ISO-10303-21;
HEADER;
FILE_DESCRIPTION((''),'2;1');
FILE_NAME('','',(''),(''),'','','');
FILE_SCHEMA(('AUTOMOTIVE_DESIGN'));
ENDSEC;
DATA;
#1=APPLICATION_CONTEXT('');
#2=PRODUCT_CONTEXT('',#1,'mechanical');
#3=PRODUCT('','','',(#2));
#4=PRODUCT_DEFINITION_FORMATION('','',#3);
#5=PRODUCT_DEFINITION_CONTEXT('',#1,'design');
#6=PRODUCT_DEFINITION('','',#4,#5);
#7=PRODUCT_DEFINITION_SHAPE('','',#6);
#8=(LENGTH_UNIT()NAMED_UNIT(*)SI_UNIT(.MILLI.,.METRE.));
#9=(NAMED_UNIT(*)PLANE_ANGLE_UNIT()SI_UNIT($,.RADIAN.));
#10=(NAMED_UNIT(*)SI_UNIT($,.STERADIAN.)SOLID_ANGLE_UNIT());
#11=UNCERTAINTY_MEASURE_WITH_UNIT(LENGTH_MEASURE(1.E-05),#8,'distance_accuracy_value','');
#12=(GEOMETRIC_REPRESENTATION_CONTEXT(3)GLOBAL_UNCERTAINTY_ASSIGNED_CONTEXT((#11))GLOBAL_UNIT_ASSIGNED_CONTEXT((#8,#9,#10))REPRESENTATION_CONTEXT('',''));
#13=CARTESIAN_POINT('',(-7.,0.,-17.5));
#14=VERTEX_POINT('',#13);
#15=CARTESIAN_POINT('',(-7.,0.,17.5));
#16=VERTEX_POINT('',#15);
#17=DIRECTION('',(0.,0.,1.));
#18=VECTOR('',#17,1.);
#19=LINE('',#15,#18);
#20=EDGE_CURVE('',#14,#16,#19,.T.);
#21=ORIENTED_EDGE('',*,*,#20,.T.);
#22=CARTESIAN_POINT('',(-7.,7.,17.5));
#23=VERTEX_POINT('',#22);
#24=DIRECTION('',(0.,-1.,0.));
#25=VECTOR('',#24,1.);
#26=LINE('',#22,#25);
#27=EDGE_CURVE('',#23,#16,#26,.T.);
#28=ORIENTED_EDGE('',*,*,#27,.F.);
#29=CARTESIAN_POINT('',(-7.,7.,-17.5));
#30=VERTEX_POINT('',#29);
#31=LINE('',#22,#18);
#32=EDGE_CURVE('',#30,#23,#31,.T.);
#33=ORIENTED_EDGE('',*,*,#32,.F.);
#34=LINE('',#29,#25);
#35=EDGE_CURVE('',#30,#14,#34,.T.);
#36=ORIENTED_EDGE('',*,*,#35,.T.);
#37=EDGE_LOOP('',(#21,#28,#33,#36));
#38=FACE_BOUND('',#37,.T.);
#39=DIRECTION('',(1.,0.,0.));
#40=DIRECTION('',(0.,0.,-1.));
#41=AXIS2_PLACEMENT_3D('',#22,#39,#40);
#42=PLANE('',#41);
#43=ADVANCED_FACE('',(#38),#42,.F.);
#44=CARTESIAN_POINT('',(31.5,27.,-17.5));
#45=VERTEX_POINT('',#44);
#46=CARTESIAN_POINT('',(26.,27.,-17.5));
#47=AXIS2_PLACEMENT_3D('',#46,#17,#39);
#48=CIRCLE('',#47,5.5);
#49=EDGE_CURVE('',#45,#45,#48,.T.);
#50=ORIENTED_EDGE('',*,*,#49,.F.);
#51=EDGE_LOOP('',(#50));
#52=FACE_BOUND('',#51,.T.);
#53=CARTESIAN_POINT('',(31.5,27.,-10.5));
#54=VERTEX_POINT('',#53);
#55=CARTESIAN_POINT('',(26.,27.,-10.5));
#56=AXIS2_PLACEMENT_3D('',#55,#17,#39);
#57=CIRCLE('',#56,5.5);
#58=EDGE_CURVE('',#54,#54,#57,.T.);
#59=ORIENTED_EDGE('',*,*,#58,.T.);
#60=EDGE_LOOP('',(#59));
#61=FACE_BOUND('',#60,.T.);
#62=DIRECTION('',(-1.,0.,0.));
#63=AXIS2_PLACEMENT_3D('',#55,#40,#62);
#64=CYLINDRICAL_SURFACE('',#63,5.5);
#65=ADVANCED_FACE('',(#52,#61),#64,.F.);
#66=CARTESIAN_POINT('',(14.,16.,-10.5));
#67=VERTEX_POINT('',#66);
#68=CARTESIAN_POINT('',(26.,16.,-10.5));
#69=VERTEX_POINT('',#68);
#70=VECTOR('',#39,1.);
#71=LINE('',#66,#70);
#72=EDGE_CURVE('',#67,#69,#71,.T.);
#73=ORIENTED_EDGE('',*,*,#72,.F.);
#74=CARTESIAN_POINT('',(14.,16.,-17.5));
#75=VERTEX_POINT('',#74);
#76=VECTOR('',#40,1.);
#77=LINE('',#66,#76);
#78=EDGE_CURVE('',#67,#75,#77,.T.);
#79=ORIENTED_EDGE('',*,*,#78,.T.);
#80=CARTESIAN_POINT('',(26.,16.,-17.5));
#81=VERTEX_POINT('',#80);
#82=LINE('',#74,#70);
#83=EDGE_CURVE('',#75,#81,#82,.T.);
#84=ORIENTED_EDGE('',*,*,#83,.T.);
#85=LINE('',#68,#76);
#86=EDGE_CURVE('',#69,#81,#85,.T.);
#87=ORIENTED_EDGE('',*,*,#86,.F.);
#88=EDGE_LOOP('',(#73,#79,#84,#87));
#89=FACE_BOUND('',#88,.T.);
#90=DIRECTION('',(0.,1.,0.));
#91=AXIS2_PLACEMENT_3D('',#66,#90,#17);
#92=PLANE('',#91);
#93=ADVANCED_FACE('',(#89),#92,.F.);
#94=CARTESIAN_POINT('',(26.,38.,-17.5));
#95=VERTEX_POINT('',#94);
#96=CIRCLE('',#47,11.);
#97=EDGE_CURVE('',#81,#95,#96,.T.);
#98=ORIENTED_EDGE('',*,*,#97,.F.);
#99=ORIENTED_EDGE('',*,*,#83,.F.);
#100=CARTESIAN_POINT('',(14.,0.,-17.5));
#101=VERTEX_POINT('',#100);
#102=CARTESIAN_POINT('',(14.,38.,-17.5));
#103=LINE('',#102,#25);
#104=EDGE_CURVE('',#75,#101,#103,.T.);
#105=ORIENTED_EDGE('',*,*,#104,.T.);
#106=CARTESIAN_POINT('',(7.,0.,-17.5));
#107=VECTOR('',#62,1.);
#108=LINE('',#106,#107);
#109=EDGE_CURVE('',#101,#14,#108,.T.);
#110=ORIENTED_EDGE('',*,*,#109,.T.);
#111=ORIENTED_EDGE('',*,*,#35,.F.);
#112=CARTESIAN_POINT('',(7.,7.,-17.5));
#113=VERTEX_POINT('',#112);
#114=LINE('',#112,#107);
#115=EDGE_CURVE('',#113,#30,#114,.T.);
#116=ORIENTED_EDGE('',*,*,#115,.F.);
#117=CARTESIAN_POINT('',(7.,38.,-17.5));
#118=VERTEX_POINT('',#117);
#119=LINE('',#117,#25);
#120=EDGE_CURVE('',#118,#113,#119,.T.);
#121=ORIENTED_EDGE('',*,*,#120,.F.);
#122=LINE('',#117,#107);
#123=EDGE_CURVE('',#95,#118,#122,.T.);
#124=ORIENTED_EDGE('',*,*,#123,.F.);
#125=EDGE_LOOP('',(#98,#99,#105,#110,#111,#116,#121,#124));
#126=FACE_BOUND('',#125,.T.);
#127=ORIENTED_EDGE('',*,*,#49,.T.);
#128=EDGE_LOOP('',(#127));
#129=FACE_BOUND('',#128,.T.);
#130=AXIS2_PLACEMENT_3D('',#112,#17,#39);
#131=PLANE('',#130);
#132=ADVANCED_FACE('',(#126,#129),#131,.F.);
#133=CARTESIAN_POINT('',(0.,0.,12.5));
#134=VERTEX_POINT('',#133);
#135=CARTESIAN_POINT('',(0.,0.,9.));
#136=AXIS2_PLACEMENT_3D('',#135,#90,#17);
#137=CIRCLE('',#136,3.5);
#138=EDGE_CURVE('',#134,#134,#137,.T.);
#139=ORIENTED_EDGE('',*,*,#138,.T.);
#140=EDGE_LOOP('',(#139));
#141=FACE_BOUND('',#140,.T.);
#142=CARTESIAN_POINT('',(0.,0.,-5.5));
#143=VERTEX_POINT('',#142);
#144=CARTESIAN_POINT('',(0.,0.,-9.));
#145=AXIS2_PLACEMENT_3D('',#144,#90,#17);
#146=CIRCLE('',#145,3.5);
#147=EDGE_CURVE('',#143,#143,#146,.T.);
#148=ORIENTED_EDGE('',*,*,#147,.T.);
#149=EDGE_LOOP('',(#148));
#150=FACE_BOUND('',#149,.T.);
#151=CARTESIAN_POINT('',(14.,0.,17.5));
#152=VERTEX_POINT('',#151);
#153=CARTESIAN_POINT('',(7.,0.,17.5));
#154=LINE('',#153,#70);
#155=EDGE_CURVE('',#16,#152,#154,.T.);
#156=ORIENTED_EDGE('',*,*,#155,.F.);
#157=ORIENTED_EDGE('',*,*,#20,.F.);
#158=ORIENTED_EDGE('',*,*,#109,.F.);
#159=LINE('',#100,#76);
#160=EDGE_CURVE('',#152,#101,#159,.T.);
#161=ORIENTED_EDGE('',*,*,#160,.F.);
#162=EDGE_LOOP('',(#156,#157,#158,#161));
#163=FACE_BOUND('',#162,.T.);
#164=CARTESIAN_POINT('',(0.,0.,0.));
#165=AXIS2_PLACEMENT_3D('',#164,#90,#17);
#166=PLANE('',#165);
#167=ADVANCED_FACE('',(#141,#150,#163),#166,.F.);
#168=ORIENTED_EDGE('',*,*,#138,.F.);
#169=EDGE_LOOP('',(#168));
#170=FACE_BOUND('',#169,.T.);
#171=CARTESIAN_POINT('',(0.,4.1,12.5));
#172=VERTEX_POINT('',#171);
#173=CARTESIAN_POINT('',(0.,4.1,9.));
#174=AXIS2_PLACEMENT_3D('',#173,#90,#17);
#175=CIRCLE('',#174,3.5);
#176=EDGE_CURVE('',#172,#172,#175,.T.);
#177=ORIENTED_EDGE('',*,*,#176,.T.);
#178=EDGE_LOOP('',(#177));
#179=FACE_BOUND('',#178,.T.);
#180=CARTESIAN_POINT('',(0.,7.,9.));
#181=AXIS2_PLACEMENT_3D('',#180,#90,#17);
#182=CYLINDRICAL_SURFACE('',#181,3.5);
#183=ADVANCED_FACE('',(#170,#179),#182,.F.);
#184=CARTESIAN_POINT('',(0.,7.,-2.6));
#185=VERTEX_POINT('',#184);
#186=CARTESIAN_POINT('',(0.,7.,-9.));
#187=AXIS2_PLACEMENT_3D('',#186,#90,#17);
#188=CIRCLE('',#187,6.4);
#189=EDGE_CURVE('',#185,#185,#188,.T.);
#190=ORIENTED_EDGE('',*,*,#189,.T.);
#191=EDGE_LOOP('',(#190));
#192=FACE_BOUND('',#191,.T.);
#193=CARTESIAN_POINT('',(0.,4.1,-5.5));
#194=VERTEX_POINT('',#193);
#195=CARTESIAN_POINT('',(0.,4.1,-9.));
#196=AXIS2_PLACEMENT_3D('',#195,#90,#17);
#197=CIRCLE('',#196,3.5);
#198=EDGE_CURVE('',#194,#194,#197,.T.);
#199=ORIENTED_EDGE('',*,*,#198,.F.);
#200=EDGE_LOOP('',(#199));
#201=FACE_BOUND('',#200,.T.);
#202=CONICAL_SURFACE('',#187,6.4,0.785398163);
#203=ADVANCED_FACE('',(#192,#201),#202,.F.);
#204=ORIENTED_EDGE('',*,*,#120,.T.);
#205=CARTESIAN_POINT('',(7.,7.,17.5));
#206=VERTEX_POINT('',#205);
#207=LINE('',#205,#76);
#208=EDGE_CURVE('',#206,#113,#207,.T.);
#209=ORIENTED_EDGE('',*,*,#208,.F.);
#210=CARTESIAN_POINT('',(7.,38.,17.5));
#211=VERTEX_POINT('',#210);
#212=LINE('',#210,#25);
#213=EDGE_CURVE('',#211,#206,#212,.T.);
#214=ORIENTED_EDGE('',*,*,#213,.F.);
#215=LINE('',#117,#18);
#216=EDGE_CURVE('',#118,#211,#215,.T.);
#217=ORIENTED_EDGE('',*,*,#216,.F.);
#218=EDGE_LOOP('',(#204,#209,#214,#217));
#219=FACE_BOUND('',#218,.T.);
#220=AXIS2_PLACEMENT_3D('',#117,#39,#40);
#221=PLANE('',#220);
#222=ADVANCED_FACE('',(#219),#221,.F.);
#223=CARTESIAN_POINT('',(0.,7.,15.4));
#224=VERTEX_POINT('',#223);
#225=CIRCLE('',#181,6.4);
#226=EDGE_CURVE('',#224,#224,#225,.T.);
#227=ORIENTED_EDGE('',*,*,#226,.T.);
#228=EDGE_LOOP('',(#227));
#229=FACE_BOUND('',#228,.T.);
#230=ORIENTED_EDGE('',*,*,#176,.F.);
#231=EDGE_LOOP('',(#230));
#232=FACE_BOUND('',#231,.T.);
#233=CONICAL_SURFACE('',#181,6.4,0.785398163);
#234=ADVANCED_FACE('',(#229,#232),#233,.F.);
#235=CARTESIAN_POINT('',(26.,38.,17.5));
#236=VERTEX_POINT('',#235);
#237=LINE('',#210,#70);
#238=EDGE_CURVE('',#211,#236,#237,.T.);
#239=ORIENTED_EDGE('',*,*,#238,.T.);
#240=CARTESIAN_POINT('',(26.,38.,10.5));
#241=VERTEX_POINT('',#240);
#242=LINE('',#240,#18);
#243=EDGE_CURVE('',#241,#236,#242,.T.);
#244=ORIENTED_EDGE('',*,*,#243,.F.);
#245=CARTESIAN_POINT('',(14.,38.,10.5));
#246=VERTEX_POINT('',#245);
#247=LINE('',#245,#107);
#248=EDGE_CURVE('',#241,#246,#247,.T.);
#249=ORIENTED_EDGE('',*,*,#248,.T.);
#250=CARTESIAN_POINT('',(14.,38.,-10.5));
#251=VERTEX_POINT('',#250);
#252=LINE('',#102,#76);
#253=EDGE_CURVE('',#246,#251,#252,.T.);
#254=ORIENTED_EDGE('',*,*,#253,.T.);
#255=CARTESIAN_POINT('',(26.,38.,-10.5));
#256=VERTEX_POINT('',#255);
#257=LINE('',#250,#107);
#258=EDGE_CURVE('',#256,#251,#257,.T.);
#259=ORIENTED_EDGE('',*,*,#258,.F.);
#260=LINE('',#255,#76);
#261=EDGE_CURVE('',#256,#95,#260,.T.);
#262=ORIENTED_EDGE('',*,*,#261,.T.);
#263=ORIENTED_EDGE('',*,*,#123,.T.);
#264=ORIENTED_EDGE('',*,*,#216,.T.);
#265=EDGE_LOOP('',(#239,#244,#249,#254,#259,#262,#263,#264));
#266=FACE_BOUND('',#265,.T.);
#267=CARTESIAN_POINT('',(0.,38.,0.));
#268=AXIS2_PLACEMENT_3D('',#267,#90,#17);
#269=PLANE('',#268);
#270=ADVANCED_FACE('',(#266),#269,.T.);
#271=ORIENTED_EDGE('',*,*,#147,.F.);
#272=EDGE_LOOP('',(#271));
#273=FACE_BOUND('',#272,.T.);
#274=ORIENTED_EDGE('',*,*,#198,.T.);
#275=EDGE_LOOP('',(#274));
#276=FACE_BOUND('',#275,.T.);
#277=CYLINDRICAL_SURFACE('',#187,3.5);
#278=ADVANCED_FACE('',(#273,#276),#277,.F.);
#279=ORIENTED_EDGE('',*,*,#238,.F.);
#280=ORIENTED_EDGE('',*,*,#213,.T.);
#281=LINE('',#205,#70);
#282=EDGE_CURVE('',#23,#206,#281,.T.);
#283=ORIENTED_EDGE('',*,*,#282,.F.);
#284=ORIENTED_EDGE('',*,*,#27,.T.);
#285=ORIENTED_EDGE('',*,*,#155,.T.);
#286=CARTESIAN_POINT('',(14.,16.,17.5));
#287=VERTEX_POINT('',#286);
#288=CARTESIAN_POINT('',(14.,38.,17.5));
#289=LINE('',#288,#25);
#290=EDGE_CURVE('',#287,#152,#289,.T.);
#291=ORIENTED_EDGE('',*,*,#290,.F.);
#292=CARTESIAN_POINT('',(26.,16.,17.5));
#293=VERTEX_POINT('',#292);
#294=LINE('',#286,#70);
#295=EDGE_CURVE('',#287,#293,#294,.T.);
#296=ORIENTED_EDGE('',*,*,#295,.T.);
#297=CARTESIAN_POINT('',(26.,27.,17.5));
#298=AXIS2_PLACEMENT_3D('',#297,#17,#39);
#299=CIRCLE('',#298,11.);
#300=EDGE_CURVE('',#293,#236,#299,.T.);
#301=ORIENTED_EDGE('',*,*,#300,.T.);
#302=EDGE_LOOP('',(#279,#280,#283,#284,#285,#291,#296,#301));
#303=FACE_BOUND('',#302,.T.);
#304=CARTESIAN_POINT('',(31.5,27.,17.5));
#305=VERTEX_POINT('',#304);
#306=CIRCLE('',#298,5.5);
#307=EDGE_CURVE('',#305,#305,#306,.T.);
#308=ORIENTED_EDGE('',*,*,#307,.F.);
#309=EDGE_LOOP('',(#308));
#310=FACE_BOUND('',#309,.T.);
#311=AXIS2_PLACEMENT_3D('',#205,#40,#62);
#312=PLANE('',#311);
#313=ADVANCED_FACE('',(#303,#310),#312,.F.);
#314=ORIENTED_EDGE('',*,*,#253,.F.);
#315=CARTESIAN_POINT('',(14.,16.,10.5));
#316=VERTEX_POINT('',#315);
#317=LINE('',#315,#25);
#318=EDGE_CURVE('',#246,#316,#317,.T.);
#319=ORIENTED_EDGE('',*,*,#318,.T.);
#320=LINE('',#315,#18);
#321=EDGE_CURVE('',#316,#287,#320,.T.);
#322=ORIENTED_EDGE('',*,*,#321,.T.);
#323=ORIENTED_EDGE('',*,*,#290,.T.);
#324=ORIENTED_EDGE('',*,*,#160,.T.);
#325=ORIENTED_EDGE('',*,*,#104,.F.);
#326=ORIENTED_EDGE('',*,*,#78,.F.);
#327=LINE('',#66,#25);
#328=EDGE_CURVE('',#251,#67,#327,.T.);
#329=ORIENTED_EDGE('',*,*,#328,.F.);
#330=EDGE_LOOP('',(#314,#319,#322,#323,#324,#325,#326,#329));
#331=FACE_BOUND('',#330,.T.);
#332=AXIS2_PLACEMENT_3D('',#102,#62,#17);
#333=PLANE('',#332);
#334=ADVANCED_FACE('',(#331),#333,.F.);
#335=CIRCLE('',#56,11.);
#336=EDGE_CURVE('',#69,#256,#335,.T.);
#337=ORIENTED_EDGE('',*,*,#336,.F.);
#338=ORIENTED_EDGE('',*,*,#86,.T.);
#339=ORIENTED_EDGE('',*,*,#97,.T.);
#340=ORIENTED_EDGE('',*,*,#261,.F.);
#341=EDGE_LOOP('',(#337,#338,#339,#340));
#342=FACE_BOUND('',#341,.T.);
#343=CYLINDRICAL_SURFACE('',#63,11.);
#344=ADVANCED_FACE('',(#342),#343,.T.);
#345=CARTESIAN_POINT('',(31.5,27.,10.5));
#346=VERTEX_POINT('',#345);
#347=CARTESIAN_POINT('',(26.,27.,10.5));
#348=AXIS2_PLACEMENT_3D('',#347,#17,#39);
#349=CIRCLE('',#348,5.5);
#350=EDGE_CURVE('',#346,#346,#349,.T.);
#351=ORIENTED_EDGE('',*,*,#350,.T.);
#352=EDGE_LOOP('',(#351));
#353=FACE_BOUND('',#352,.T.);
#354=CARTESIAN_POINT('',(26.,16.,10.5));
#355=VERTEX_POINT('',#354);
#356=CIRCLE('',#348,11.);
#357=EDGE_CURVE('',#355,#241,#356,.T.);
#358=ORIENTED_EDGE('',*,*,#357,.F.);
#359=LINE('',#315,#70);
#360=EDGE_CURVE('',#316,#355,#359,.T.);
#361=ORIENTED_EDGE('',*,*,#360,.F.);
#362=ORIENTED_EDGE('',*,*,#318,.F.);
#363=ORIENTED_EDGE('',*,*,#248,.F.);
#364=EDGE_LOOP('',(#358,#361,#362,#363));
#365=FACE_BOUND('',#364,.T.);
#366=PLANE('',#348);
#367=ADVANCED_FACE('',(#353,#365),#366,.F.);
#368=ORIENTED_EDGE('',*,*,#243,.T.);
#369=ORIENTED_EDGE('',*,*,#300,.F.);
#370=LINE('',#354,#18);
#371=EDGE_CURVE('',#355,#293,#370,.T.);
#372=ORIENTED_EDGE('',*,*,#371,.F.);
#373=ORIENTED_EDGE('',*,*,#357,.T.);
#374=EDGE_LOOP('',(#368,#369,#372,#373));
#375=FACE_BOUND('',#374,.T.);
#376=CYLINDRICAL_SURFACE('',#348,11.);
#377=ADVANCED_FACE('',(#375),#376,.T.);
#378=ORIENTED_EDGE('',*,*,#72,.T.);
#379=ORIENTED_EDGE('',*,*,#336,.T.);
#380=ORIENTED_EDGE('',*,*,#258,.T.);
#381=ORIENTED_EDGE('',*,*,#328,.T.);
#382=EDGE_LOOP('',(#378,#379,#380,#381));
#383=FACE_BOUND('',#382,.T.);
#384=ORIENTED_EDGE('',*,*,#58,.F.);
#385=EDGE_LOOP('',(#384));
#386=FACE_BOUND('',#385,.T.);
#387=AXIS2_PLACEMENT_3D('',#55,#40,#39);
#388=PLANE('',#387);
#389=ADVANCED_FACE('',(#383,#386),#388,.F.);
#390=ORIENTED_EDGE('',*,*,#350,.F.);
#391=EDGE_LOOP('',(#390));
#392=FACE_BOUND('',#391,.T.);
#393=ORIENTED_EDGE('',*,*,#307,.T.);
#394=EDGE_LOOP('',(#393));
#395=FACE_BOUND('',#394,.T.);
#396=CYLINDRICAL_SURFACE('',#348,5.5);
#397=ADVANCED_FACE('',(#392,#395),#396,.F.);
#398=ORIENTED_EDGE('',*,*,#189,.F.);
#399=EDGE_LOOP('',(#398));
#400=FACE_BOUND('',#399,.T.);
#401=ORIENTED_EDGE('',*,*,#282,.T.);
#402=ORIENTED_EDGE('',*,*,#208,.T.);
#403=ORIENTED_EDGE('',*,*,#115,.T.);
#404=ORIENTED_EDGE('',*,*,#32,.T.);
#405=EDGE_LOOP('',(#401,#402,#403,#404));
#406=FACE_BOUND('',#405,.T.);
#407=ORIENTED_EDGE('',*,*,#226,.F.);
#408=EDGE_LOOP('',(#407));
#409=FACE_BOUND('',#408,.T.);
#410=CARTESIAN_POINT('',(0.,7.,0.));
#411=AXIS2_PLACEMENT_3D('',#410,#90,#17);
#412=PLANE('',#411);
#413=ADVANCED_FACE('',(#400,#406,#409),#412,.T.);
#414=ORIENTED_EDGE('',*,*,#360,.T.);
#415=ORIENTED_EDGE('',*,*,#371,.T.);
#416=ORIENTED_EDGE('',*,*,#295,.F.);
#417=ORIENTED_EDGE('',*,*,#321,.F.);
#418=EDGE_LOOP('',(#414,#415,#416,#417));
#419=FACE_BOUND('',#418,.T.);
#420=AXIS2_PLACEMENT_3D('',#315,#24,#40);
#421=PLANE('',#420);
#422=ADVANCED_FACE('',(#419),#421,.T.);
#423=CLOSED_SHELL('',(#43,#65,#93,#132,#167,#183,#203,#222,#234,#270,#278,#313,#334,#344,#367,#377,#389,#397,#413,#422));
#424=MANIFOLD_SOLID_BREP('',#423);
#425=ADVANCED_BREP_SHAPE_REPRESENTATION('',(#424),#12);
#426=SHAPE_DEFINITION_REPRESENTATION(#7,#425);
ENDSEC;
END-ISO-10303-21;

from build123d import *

# Parameters (mm, degrees)
SKETCH_1_W                   = 14
SKETCH_1_H                   = 35
EXTRUDE_1_DEPTH              = 7
HOLE_WIZARD_M6_1_D           = 7
HOLE_WIZARD_M6_1_CSINK_D     = 12.8
HOLE_WIZARD_M6_1_CSINK_ANGLE = 90
SKETCH_6_W                   = 7
SKETCH_6_H                   = 35
EXTRUDE_2_DEPTH              = 38
SKETCH_7_R                   = 5.5
EXTRUDE_3_DEPTH              = 7


with BuildPart() as part:
    # 草图1 → 凸台-拉伸1 (new body)
    with BuildSketch(Plane(origin=(0, 0, 0), x_dir=(1, 0, 0), z_dir=(0, 1, 0))):
        Rectangle(SKETCH_1_W, SKETCH_1_H)
    extrude(amount=EXTRUDE_1_DEPTH)

    # M6 内六角花形半沉头螺钉的锥形沉头孔1 (through all)
    with Locations(Plane(origin=(0, 7, 0), x_dir=(1, 0, 0), z_dir=(0, 1, 0))):
        with Locations((0, -9), (0, 9)):
            CounterSinkHole(HOLE_WIZARD_M6_1_D / 2, HOLE_WIZARD_M6_1_CSINK_D / 2, counter_sink_angle=HOLE_WIZARD_M6_1_CSINK_ANGLE)

    # 草图6 → 凸台-拉伸2 (add)
    with BuildSketch(Plane(origin=(0, 0, 0), x_dir=(1, 0, 0), z_dir=(0, 1, 0))):
        with Locations((10.5, 0)):
            Rectangle(SKETCH_6_W, SKETCH_6_H)
    extrude(amount=EXTRUDE_2_DEPTH)

    # 草图7 → 凸台-拉伸3 (add)
    with BuildSketch(Plane.XY.offset(17.5)):
        with BuildLine():
            Line((14, 38), (26, 38))
            ThreePointArc((26, 38), (37, 27), (26, 16))
            Line((26, 16), (14, 16))
            Line((14, 16), (14, 38))
        make_face()
        with Locations((26, 27)):
            Circle(SKETCH_7_R, mode=Mode.SUBTRACT)
    extrude_3 = extrude(amount=-EXTRUDE_3_DEPTH)

    # 镜向1: 凸台-拉伸3 across plane
    add(extrude_3.mirror(Plane.XY))


solid = part.part
